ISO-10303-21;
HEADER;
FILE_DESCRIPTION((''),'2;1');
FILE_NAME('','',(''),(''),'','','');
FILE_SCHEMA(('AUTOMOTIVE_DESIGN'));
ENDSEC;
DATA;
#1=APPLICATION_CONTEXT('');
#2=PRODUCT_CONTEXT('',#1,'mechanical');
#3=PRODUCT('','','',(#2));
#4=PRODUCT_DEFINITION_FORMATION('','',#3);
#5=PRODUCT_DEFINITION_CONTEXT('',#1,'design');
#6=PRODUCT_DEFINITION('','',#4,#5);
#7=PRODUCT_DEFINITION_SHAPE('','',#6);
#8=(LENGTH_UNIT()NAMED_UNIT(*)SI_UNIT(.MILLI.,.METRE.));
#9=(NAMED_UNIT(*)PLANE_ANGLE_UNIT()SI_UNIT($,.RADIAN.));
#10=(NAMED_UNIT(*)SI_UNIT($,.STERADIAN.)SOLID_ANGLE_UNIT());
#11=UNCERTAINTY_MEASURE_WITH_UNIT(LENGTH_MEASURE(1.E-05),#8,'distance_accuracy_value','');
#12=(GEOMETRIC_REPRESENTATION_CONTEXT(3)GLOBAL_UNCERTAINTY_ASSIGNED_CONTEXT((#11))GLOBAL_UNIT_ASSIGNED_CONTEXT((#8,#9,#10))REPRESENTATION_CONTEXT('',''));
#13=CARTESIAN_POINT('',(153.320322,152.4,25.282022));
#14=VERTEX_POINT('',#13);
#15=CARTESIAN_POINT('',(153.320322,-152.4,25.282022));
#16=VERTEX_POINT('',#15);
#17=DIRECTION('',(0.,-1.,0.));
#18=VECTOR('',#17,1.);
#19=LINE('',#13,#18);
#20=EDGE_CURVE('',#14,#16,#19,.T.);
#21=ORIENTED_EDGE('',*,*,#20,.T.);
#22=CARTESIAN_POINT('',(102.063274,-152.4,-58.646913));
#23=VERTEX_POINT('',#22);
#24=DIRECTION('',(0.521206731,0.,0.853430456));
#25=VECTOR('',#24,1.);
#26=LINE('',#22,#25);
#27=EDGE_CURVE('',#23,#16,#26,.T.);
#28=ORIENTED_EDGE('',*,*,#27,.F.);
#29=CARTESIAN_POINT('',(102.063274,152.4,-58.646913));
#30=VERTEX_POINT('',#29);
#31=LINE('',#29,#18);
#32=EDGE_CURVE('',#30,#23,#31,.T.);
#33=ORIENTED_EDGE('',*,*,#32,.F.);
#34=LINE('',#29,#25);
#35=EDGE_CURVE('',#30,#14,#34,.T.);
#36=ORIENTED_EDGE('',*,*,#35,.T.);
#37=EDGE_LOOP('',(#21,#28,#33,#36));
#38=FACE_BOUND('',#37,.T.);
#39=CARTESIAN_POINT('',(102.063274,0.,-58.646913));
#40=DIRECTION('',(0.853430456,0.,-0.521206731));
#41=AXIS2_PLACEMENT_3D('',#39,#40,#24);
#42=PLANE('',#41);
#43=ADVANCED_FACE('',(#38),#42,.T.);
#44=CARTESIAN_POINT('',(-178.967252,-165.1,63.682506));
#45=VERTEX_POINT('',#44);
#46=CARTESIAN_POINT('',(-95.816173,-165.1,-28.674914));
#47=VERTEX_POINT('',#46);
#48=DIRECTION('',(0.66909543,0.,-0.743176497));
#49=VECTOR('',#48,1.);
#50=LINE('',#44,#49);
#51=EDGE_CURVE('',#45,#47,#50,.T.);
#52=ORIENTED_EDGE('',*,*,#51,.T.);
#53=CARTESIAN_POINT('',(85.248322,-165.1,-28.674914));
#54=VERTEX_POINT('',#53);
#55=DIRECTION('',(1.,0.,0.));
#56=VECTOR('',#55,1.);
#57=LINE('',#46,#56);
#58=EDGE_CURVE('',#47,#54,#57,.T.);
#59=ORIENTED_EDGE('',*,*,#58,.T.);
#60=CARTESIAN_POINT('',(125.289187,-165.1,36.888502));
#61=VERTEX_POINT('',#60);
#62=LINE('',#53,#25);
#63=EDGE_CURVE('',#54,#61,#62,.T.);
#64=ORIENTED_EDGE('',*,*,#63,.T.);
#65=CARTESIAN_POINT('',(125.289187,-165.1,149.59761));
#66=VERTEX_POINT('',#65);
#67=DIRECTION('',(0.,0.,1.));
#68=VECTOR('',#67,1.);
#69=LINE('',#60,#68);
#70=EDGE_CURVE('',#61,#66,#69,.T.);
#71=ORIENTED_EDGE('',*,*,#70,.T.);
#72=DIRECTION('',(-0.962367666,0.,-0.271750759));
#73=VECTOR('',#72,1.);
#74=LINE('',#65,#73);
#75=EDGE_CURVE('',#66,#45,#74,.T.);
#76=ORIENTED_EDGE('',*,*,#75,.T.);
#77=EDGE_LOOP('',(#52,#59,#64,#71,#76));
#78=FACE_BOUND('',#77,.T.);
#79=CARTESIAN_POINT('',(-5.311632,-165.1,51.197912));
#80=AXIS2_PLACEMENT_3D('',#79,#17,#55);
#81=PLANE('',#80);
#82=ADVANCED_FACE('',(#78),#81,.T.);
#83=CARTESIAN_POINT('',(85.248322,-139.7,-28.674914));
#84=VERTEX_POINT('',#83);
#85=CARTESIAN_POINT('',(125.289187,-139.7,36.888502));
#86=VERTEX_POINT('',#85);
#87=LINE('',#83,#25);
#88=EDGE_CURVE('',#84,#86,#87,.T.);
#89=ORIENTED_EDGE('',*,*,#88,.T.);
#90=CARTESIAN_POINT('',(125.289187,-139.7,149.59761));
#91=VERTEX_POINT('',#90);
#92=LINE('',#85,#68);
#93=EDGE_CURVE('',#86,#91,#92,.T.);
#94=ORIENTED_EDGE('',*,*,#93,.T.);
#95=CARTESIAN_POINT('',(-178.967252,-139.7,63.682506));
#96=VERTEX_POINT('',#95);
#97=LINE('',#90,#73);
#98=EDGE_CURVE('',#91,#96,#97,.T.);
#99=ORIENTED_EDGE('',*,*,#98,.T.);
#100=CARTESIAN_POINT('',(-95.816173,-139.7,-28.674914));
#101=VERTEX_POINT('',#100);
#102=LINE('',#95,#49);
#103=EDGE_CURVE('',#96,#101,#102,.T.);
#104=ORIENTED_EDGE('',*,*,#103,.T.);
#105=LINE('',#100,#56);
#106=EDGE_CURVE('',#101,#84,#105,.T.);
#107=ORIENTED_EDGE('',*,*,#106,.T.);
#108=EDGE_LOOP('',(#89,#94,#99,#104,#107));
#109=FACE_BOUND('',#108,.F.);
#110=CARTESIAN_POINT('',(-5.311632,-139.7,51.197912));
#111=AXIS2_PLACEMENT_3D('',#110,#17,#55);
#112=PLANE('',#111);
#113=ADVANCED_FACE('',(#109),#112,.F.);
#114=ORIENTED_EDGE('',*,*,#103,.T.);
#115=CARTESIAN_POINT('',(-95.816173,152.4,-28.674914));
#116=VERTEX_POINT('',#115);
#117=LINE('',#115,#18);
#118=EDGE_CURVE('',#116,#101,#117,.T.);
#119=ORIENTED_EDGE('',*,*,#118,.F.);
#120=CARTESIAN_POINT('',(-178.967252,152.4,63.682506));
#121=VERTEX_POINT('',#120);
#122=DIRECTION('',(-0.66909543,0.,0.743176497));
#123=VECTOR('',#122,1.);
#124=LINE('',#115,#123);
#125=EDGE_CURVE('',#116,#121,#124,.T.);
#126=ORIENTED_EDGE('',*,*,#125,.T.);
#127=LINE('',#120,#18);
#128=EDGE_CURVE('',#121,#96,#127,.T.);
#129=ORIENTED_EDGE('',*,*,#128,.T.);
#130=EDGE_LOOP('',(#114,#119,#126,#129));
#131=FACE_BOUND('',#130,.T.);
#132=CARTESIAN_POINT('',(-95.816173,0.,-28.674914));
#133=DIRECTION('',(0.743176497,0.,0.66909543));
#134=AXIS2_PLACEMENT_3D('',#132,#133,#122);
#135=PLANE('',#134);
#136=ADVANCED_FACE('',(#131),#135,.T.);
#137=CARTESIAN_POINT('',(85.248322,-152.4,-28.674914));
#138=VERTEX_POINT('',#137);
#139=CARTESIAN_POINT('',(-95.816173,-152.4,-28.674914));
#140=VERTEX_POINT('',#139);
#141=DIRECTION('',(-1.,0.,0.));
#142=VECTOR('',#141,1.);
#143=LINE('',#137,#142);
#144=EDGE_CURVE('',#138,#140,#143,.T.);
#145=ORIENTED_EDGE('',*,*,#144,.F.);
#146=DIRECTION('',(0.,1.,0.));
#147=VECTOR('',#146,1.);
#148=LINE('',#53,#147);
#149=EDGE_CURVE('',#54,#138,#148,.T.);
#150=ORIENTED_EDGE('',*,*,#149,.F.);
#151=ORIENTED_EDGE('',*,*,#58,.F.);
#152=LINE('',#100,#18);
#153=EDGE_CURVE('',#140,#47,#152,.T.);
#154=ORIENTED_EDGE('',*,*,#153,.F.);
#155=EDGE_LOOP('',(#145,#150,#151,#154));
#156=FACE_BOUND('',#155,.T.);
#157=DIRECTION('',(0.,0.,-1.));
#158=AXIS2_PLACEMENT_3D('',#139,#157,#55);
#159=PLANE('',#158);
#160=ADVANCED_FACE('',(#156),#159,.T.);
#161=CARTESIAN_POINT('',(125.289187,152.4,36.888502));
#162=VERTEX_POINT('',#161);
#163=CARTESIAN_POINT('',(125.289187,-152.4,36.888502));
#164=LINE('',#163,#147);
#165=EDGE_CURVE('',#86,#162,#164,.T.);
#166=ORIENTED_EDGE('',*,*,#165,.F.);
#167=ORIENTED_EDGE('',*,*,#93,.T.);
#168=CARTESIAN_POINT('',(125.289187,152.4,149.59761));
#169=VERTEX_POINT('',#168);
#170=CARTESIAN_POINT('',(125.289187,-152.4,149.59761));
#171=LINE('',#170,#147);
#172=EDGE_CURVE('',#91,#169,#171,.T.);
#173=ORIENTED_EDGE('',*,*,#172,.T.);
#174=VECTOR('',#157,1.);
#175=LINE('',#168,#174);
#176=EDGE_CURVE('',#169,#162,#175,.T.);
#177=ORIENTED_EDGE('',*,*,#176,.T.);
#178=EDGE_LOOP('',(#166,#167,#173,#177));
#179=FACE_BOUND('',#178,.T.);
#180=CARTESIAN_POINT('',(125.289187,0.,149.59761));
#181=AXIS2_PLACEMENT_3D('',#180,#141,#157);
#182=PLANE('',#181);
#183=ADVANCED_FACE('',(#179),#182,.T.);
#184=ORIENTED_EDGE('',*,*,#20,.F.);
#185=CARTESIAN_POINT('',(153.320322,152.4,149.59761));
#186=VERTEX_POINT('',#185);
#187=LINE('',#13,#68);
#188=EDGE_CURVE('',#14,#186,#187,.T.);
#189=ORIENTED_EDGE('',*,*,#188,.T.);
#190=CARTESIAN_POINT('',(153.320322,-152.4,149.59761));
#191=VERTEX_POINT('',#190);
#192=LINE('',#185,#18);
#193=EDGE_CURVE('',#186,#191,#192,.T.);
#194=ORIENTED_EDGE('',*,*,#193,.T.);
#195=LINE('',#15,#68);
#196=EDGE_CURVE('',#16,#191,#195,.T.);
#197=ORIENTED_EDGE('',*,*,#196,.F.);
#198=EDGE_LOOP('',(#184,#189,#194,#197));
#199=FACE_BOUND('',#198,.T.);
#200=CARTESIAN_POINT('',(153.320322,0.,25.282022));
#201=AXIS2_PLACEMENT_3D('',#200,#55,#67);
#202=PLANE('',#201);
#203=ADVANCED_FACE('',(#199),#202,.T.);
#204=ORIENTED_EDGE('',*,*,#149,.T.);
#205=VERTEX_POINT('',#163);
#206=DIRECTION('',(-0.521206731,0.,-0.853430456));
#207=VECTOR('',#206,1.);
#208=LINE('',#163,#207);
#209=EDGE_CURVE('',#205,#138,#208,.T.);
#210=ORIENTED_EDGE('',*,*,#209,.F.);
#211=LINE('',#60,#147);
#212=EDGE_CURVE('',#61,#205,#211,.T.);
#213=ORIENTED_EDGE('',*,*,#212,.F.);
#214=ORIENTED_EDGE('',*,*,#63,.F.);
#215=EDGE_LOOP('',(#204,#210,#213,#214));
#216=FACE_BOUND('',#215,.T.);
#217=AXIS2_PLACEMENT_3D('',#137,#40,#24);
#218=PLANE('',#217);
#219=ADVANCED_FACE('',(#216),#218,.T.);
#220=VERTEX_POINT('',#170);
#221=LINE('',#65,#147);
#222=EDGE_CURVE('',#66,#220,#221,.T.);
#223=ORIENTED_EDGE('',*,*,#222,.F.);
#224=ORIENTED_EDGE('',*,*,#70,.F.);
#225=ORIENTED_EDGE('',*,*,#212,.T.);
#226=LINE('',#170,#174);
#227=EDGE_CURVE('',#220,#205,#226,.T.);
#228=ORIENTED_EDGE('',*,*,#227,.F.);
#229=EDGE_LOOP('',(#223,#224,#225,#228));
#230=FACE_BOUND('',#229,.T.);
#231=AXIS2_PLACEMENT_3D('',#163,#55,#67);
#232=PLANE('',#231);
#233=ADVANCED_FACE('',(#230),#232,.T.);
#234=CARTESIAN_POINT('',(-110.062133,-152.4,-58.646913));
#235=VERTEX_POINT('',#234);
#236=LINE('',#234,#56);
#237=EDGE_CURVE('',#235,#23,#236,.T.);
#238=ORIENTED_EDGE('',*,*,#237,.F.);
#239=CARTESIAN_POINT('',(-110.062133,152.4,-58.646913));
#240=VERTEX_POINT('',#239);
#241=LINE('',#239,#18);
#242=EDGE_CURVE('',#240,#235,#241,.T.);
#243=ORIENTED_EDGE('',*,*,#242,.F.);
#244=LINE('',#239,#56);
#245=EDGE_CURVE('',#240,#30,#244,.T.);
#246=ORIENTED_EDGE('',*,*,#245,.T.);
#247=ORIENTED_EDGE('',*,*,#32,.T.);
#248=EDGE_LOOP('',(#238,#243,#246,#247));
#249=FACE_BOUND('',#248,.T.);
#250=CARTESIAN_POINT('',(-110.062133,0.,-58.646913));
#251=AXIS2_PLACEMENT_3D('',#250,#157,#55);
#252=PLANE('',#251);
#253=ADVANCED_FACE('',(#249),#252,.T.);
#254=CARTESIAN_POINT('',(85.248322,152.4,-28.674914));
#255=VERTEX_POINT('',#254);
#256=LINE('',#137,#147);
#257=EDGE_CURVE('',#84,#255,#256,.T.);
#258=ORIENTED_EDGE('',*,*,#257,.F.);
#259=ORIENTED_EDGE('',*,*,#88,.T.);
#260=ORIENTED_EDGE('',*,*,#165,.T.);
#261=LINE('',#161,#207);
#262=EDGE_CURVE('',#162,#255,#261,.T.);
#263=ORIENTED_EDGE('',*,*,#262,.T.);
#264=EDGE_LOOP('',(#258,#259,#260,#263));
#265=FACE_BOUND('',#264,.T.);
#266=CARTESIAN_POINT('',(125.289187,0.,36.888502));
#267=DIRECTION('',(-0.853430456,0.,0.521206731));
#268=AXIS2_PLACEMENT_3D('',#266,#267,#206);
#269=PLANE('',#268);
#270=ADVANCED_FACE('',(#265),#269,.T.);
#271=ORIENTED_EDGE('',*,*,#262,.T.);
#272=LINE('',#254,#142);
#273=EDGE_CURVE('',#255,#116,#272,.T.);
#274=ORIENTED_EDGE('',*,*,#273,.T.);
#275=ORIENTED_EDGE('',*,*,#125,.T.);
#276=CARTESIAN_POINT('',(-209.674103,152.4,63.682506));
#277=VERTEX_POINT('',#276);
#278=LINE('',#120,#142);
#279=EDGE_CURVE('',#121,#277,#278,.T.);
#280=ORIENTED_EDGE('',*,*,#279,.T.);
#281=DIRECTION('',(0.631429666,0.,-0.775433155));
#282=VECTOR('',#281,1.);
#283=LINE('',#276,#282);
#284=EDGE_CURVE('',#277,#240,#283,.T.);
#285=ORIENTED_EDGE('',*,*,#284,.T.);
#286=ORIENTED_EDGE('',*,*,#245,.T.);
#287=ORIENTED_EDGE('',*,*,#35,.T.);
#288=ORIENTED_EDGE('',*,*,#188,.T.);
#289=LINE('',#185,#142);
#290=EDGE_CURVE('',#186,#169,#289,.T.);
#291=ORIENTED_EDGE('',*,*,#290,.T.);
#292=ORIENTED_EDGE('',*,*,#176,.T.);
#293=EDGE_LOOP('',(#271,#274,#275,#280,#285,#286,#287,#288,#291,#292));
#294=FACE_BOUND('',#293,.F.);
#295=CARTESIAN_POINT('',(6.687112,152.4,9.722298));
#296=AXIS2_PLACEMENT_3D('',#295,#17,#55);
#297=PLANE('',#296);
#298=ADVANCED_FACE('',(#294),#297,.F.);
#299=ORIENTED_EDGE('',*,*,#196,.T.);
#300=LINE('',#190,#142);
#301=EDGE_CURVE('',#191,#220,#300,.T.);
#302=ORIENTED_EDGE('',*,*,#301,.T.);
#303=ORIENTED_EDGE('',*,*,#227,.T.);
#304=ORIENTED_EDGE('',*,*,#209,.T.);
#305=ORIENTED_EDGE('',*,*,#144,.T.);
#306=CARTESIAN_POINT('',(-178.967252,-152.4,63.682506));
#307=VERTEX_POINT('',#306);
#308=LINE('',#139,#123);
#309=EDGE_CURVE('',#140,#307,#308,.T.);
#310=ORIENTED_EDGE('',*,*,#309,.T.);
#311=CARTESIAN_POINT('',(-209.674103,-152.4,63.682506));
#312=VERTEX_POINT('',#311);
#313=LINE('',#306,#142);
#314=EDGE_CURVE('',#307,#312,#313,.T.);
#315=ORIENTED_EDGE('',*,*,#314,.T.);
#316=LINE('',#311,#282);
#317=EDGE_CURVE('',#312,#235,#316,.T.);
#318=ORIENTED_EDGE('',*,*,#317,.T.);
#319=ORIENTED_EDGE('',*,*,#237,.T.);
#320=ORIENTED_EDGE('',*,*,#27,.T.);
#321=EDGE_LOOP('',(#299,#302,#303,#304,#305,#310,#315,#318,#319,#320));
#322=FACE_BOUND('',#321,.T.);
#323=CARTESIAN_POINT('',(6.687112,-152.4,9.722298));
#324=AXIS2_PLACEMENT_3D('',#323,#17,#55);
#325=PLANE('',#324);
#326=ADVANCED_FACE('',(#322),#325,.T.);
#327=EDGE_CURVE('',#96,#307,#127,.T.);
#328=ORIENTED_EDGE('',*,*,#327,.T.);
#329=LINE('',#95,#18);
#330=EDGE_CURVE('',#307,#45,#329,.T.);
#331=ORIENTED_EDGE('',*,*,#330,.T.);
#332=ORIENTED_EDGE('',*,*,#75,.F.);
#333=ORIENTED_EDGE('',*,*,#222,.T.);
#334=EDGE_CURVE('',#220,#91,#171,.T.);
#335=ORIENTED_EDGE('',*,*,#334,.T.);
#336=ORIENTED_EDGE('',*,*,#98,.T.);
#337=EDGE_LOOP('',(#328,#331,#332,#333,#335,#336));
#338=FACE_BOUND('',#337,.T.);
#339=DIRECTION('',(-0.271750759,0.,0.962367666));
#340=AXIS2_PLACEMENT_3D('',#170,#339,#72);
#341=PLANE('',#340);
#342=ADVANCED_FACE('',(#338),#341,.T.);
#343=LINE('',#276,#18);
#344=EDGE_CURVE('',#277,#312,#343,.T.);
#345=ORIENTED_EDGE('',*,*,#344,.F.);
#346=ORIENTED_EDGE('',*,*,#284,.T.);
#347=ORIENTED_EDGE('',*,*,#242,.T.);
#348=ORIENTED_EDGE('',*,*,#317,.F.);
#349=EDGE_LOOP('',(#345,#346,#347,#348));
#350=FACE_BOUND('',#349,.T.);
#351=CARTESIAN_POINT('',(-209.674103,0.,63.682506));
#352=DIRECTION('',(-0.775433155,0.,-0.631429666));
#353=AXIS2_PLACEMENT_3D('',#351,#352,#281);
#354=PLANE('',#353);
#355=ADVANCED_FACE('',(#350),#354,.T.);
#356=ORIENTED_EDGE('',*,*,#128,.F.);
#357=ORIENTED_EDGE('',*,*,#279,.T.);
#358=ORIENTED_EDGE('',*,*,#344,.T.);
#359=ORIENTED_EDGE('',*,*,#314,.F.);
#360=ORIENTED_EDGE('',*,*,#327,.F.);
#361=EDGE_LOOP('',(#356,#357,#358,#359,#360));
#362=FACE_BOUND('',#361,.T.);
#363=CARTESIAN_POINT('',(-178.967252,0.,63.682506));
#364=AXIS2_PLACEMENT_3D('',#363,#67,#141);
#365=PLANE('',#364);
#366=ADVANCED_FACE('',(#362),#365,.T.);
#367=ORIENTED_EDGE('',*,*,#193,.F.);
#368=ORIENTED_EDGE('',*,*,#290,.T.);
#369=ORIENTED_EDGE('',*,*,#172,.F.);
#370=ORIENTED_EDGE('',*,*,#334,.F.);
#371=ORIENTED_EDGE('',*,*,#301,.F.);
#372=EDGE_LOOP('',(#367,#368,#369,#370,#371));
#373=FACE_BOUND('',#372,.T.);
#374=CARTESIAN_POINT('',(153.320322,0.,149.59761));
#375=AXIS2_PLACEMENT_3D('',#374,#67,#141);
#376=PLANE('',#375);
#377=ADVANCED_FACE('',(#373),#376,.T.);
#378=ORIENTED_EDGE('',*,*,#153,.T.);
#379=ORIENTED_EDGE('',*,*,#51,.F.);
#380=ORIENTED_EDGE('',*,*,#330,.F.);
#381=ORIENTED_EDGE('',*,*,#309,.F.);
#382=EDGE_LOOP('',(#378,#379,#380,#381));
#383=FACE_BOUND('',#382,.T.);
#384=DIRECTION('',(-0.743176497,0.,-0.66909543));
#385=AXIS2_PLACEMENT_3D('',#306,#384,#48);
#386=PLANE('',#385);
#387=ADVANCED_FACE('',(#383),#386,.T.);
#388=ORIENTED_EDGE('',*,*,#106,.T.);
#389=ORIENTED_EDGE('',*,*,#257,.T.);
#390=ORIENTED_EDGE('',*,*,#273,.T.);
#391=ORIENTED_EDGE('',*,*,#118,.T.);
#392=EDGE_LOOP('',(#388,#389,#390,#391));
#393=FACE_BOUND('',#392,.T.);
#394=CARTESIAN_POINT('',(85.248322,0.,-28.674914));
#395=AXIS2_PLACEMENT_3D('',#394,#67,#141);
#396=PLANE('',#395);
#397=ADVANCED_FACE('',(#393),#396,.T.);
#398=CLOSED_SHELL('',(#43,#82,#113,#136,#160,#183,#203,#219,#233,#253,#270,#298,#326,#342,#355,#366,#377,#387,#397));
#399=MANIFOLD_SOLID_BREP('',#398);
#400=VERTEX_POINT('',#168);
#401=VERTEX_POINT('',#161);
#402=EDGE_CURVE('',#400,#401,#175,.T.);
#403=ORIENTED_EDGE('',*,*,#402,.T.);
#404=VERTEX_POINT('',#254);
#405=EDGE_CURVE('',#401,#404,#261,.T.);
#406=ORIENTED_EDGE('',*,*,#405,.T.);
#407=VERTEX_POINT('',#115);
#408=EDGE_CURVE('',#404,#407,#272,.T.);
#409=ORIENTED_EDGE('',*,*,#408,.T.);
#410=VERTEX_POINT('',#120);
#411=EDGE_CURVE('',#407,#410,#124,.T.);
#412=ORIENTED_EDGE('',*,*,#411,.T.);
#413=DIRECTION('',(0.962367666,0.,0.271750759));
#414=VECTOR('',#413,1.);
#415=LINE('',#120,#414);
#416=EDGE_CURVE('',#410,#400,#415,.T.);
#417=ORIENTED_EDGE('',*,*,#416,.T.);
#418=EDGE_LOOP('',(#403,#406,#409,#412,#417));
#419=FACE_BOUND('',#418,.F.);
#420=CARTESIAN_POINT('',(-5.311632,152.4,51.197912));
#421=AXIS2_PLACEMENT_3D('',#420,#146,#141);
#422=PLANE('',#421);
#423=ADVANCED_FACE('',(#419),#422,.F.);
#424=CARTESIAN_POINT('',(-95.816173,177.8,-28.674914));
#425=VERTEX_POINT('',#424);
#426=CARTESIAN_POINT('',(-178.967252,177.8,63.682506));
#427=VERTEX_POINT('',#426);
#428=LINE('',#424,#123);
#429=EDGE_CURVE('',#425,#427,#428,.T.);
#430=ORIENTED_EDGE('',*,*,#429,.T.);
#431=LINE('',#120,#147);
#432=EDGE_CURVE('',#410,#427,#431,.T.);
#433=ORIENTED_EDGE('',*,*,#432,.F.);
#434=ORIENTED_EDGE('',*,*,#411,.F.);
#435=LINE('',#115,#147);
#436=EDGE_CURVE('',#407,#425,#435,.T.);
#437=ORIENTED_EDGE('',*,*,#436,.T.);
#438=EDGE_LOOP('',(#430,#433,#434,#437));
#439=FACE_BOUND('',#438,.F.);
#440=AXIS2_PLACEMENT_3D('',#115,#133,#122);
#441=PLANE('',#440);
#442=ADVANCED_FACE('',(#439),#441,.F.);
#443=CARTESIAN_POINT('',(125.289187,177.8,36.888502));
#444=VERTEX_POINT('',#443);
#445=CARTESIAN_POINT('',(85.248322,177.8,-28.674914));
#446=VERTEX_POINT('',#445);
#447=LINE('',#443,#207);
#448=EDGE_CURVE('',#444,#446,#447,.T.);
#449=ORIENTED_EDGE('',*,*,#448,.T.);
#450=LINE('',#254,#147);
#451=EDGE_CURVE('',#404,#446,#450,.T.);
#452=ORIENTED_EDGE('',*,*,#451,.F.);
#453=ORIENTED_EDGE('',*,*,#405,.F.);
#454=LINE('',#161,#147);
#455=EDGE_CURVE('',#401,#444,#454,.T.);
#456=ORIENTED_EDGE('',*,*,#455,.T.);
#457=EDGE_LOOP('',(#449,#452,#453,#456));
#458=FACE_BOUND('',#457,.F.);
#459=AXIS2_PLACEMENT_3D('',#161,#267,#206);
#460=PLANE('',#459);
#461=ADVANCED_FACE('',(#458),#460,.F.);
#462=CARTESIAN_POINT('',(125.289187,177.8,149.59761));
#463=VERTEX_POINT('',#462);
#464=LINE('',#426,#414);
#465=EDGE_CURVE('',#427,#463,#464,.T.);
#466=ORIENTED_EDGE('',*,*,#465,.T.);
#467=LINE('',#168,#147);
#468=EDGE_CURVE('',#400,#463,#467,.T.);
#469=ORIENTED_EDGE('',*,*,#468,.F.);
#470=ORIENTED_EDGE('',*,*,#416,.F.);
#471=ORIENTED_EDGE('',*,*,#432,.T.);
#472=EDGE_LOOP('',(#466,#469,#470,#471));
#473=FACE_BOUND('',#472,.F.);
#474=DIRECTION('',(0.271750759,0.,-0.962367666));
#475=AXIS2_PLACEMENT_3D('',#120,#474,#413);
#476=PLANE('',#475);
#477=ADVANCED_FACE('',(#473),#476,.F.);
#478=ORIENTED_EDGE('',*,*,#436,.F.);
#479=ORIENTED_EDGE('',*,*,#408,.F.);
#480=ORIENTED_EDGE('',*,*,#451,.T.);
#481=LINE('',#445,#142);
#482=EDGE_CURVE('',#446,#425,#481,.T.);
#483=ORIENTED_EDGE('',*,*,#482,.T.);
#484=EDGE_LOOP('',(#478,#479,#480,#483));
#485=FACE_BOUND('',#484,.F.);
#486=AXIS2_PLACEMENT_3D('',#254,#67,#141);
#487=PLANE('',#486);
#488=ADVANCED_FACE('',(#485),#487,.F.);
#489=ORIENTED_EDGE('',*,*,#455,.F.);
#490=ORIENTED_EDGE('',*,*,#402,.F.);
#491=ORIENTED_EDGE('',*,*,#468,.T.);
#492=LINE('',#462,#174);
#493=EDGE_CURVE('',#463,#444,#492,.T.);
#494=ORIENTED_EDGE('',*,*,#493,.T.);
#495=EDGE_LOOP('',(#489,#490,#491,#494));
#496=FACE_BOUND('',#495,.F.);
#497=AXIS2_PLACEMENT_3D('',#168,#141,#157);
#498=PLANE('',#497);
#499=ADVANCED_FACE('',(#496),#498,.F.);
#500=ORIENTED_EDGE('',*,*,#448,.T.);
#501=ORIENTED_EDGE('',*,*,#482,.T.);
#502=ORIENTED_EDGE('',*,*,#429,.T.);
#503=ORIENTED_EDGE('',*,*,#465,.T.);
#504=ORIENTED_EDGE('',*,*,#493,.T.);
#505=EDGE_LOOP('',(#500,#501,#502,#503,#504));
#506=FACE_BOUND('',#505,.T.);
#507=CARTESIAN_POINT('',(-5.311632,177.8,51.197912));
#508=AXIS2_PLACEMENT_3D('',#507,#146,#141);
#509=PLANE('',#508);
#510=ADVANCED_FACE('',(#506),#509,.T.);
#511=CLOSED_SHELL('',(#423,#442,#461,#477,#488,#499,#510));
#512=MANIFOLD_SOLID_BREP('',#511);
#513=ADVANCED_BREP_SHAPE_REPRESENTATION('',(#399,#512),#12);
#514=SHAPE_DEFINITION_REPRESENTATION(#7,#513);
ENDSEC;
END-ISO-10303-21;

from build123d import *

# Parameters (mm, degrees)
F1_DEPTH = 152.4
F3_DEPTH = 12.7
F5_DEPTH = 25.4


with BuildPart() as f1:
    # F0 (on Front) → F1 (new body, symmetric)
    with BuildSketch(Plane.XZ):
        Polygon((85.248322, -28.674914), (-32.316173, -28.674914), (-95.816173, -28.674914), (-178.967252, 63.682506), (-209.674103, 63.682506), (-110.062133, -58.646913), (-32.316173, -58.646913), (102.063274, -58.646913), (153.320322, 25.282022), (153.320322, 149.59761), (125.289187, 149.59761), (125.289187, 36.888502), align=None)
    extrude(amount=F1_DEPTH, both=True)

    # F2 (on face) → F3 (join, symmetric)
    with BuildSketch(Plane.XZ.offset(152.4)):
        Polygon((125.289187, 149.59761), (-178.967252, 63.682506), (-95.816173, -28.674914), (85.248322, -28.674914), (125.289187, 36.888502), align=None)
    extrude(amount=F3_DEPTH, both=True)


with BuildPart() as f5:
    # F4 (on face) → F5 (new body)
    with BuildSketch(Plane(origin=(0, 152.4, 0), x_dir=(-1, 0, 0), z_dir=(0, 1, 0))):
        Polygon((178.967252, 63.682506), (-125.289187, 149.59761), (-125.289187, 36.888502), (-85.248322, -28.674914), (95.816173, -28.674914), align=None)
    extrude(amount=F5_DEPTH)


solid = Compound([f1.part, f5.part])
